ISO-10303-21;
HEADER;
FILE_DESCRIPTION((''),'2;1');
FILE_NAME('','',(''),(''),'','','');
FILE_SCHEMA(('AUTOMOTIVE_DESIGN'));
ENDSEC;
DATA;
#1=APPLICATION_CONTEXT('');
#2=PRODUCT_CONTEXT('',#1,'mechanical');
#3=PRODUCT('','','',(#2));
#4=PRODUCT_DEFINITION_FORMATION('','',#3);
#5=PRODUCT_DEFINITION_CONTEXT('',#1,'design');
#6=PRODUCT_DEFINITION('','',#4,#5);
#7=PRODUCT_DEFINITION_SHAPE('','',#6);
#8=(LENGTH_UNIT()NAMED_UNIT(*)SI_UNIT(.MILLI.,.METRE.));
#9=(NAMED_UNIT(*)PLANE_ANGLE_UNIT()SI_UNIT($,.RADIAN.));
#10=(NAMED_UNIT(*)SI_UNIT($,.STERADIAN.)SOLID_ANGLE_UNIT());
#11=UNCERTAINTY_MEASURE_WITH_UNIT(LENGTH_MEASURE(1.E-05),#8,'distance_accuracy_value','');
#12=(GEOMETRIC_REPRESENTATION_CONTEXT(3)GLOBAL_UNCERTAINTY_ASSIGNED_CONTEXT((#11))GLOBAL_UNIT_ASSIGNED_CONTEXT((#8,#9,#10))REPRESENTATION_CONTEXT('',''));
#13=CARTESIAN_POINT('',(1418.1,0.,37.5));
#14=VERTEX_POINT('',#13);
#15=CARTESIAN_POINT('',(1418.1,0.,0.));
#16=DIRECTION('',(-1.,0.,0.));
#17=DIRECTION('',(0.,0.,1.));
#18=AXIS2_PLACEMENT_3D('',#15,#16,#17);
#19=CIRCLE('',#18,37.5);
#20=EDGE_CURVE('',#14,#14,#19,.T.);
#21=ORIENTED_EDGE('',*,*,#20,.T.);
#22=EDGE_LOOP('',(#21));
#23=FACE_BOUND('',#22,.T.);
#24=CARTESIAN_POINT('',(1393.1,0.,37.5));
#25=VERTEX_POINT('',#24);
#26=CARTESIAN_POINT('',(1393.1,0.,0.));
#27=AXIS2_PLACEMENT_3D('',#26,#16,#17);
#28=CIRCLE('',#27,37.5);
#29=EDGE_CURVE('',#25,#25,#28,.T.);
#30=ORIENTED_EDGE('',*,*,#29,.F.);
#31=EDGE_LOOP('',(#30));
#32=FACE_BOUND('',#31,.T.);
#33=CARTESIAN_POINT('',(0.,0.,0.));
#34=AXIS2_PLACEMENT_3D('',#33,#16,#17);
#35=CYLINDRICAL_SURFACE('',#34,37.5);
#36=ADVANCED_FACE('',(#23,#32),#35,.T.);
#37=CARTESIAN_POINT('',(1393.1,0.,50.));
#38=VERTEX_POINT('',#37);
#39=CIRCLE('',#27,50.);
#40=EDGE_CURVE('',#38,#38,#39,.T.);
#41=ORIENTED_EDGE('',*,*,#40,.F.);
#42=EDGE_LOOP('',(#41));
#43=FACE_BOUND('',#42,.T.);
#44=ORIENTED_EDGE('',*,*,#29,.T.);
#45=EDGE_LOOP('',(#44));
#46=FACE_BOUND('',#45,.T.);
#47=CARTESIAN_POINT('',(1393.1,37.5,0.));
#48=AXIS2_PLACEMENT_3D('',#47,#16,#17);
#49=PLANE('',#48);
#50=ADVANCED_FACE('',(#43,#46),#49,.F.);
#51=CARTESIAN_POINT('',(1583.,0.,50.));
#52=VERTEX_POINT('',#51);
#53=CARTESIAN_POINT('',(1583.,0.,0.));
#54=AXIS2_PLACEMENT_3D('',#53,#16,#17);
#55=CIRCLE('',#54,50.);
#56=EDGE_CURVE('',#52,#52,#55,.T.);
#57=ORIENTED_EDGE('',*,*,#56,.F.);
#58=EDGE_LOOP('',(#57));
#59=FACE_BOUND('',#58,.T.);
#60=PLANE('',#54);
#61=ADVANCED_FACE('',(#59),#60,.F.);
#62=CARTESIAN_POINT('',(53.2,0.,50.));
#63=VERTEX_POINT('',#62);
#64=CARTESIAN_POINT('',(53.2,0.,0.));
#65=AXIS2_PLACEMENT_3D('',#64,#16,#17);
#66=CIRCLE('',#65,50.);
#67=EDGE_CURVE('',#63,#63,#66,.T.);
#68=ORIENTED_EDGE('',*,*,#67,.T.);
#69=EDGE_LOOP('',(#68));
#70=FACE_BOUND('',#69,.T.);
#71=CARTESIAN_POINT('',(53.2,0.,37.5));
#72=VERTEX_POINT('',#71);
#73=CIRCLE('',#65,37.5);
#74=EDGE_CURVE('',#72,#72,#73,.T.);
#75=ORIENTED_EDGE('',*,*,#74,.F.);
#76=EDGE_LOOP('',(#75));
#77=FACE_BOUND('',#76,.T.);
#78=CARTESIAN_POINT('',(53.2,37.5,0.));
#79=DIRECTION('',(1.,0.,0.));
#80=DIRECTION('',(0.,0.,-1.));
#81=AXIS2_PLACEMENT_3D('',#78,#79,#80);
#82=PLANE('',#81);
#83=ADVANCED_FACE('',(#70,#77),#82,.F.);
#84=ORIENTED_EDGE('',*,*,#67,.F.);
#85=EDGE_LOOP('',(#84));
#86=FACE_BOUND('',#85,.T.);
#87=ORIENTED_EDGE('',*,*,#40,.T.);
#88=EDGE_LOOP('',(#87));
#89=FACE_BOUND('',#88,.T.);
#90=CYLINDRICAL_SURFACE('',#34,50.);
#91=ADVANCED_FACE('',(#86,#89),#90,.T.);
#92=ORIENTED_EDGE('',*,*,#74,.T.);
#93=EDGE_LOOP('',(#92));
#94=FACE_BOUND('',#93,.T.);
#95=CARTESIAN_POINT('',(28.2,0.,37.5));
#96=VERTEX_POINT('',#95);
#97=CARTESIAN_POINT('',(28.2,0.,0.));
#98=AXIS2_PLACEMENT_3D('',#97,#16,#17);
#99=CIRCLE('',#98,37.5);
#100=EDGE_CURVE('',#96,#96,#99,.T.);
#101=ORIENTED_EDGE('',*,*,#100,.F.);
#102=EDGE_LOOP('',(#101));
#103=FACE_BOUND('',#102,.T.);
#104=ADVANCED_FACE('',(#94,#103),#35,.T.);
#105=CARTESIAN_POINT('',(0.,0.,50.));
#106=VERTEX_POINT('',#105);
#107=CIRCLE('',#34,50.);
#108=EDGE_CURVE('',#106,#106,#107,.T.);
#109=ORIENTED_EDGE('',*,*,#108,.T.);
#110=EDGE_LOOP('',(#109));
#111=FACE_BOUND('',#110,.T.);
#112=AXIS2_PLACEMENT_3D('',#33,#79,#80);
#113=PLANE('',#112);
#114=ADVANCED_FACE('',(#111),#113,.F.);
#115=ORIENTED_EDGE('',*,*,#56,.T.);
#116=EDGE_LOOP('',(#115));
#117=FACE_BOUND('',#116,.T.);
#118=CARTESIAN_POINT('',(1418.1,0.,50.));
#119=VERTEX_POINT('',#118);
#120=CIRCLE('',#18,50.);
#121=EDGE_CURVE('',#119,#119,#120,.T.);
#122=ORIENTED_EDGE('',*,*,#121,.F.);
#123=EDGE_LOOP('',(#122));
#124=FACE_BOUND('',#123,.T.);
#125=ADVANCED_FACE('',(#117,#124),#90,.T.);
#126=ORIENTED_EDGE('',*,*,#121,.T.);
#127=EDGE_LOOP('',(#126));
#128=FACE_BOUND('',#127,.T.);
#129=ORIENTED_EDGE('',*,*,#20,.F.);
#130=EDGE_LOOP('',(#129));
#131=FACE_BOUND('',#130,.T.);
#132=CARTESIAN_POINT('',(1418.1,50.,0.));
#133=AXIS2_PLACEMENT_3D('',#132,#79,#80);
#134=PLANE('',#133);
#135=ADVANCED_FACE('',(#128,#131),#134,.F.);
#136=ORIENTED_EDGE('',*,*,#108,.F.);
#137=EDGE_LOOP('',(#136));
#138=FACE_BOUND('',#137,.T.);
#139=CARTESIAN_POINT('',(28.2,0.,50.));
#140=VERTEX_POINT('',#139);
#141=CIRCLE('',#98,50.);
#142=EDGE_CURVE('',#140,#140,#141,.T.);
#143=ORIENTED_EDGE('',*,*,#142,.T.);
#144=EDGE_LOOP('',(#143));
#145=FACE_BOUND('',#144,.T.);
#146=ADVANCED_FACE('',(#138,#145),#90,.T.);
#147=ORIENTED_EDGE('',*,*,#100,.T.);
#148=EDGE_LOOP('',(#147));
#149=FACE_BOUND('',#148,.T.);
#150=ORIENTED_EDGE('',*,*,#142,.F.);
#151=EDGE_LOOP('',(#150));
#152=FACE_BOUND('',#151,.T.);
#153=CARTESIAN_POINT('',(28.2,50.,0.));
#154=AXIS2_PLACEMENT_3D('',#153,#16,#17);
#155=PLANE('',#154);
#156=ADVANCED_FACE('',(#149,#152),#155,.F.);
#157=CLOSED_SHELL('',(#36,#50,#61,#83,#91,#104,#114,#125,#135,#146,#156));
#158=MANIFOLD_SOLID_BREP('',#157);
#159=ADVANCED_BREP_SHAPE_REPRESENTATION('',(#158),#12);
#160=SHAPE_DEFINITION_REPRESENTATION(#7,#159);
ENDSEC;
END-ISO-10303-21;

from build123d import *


with BuildPart() as part:
    # Sketch1 → Revolve1 (revolve)
    with BuildSketch(Plane.XY, mode=Mode.PRIVATE) as revolve1_sk:
        Polygon((0, 0), (0, 50), (28.2, 50), (28.2, 37.5), (53.2, 37.5), (53.2, 50), (1393.1, 50), (1393.1, 37.5), (1418.1, 37.5), (1418.1, 50), (1583, 50), (1583, 0), align=None)
    revolve(revolve1_sk.sketch.rotate(Axis((0, 0, 0), (1, 0, 0)), 90), axis=Axis((0, 0, 0), (1, 0, 0)))


solid = part.part
